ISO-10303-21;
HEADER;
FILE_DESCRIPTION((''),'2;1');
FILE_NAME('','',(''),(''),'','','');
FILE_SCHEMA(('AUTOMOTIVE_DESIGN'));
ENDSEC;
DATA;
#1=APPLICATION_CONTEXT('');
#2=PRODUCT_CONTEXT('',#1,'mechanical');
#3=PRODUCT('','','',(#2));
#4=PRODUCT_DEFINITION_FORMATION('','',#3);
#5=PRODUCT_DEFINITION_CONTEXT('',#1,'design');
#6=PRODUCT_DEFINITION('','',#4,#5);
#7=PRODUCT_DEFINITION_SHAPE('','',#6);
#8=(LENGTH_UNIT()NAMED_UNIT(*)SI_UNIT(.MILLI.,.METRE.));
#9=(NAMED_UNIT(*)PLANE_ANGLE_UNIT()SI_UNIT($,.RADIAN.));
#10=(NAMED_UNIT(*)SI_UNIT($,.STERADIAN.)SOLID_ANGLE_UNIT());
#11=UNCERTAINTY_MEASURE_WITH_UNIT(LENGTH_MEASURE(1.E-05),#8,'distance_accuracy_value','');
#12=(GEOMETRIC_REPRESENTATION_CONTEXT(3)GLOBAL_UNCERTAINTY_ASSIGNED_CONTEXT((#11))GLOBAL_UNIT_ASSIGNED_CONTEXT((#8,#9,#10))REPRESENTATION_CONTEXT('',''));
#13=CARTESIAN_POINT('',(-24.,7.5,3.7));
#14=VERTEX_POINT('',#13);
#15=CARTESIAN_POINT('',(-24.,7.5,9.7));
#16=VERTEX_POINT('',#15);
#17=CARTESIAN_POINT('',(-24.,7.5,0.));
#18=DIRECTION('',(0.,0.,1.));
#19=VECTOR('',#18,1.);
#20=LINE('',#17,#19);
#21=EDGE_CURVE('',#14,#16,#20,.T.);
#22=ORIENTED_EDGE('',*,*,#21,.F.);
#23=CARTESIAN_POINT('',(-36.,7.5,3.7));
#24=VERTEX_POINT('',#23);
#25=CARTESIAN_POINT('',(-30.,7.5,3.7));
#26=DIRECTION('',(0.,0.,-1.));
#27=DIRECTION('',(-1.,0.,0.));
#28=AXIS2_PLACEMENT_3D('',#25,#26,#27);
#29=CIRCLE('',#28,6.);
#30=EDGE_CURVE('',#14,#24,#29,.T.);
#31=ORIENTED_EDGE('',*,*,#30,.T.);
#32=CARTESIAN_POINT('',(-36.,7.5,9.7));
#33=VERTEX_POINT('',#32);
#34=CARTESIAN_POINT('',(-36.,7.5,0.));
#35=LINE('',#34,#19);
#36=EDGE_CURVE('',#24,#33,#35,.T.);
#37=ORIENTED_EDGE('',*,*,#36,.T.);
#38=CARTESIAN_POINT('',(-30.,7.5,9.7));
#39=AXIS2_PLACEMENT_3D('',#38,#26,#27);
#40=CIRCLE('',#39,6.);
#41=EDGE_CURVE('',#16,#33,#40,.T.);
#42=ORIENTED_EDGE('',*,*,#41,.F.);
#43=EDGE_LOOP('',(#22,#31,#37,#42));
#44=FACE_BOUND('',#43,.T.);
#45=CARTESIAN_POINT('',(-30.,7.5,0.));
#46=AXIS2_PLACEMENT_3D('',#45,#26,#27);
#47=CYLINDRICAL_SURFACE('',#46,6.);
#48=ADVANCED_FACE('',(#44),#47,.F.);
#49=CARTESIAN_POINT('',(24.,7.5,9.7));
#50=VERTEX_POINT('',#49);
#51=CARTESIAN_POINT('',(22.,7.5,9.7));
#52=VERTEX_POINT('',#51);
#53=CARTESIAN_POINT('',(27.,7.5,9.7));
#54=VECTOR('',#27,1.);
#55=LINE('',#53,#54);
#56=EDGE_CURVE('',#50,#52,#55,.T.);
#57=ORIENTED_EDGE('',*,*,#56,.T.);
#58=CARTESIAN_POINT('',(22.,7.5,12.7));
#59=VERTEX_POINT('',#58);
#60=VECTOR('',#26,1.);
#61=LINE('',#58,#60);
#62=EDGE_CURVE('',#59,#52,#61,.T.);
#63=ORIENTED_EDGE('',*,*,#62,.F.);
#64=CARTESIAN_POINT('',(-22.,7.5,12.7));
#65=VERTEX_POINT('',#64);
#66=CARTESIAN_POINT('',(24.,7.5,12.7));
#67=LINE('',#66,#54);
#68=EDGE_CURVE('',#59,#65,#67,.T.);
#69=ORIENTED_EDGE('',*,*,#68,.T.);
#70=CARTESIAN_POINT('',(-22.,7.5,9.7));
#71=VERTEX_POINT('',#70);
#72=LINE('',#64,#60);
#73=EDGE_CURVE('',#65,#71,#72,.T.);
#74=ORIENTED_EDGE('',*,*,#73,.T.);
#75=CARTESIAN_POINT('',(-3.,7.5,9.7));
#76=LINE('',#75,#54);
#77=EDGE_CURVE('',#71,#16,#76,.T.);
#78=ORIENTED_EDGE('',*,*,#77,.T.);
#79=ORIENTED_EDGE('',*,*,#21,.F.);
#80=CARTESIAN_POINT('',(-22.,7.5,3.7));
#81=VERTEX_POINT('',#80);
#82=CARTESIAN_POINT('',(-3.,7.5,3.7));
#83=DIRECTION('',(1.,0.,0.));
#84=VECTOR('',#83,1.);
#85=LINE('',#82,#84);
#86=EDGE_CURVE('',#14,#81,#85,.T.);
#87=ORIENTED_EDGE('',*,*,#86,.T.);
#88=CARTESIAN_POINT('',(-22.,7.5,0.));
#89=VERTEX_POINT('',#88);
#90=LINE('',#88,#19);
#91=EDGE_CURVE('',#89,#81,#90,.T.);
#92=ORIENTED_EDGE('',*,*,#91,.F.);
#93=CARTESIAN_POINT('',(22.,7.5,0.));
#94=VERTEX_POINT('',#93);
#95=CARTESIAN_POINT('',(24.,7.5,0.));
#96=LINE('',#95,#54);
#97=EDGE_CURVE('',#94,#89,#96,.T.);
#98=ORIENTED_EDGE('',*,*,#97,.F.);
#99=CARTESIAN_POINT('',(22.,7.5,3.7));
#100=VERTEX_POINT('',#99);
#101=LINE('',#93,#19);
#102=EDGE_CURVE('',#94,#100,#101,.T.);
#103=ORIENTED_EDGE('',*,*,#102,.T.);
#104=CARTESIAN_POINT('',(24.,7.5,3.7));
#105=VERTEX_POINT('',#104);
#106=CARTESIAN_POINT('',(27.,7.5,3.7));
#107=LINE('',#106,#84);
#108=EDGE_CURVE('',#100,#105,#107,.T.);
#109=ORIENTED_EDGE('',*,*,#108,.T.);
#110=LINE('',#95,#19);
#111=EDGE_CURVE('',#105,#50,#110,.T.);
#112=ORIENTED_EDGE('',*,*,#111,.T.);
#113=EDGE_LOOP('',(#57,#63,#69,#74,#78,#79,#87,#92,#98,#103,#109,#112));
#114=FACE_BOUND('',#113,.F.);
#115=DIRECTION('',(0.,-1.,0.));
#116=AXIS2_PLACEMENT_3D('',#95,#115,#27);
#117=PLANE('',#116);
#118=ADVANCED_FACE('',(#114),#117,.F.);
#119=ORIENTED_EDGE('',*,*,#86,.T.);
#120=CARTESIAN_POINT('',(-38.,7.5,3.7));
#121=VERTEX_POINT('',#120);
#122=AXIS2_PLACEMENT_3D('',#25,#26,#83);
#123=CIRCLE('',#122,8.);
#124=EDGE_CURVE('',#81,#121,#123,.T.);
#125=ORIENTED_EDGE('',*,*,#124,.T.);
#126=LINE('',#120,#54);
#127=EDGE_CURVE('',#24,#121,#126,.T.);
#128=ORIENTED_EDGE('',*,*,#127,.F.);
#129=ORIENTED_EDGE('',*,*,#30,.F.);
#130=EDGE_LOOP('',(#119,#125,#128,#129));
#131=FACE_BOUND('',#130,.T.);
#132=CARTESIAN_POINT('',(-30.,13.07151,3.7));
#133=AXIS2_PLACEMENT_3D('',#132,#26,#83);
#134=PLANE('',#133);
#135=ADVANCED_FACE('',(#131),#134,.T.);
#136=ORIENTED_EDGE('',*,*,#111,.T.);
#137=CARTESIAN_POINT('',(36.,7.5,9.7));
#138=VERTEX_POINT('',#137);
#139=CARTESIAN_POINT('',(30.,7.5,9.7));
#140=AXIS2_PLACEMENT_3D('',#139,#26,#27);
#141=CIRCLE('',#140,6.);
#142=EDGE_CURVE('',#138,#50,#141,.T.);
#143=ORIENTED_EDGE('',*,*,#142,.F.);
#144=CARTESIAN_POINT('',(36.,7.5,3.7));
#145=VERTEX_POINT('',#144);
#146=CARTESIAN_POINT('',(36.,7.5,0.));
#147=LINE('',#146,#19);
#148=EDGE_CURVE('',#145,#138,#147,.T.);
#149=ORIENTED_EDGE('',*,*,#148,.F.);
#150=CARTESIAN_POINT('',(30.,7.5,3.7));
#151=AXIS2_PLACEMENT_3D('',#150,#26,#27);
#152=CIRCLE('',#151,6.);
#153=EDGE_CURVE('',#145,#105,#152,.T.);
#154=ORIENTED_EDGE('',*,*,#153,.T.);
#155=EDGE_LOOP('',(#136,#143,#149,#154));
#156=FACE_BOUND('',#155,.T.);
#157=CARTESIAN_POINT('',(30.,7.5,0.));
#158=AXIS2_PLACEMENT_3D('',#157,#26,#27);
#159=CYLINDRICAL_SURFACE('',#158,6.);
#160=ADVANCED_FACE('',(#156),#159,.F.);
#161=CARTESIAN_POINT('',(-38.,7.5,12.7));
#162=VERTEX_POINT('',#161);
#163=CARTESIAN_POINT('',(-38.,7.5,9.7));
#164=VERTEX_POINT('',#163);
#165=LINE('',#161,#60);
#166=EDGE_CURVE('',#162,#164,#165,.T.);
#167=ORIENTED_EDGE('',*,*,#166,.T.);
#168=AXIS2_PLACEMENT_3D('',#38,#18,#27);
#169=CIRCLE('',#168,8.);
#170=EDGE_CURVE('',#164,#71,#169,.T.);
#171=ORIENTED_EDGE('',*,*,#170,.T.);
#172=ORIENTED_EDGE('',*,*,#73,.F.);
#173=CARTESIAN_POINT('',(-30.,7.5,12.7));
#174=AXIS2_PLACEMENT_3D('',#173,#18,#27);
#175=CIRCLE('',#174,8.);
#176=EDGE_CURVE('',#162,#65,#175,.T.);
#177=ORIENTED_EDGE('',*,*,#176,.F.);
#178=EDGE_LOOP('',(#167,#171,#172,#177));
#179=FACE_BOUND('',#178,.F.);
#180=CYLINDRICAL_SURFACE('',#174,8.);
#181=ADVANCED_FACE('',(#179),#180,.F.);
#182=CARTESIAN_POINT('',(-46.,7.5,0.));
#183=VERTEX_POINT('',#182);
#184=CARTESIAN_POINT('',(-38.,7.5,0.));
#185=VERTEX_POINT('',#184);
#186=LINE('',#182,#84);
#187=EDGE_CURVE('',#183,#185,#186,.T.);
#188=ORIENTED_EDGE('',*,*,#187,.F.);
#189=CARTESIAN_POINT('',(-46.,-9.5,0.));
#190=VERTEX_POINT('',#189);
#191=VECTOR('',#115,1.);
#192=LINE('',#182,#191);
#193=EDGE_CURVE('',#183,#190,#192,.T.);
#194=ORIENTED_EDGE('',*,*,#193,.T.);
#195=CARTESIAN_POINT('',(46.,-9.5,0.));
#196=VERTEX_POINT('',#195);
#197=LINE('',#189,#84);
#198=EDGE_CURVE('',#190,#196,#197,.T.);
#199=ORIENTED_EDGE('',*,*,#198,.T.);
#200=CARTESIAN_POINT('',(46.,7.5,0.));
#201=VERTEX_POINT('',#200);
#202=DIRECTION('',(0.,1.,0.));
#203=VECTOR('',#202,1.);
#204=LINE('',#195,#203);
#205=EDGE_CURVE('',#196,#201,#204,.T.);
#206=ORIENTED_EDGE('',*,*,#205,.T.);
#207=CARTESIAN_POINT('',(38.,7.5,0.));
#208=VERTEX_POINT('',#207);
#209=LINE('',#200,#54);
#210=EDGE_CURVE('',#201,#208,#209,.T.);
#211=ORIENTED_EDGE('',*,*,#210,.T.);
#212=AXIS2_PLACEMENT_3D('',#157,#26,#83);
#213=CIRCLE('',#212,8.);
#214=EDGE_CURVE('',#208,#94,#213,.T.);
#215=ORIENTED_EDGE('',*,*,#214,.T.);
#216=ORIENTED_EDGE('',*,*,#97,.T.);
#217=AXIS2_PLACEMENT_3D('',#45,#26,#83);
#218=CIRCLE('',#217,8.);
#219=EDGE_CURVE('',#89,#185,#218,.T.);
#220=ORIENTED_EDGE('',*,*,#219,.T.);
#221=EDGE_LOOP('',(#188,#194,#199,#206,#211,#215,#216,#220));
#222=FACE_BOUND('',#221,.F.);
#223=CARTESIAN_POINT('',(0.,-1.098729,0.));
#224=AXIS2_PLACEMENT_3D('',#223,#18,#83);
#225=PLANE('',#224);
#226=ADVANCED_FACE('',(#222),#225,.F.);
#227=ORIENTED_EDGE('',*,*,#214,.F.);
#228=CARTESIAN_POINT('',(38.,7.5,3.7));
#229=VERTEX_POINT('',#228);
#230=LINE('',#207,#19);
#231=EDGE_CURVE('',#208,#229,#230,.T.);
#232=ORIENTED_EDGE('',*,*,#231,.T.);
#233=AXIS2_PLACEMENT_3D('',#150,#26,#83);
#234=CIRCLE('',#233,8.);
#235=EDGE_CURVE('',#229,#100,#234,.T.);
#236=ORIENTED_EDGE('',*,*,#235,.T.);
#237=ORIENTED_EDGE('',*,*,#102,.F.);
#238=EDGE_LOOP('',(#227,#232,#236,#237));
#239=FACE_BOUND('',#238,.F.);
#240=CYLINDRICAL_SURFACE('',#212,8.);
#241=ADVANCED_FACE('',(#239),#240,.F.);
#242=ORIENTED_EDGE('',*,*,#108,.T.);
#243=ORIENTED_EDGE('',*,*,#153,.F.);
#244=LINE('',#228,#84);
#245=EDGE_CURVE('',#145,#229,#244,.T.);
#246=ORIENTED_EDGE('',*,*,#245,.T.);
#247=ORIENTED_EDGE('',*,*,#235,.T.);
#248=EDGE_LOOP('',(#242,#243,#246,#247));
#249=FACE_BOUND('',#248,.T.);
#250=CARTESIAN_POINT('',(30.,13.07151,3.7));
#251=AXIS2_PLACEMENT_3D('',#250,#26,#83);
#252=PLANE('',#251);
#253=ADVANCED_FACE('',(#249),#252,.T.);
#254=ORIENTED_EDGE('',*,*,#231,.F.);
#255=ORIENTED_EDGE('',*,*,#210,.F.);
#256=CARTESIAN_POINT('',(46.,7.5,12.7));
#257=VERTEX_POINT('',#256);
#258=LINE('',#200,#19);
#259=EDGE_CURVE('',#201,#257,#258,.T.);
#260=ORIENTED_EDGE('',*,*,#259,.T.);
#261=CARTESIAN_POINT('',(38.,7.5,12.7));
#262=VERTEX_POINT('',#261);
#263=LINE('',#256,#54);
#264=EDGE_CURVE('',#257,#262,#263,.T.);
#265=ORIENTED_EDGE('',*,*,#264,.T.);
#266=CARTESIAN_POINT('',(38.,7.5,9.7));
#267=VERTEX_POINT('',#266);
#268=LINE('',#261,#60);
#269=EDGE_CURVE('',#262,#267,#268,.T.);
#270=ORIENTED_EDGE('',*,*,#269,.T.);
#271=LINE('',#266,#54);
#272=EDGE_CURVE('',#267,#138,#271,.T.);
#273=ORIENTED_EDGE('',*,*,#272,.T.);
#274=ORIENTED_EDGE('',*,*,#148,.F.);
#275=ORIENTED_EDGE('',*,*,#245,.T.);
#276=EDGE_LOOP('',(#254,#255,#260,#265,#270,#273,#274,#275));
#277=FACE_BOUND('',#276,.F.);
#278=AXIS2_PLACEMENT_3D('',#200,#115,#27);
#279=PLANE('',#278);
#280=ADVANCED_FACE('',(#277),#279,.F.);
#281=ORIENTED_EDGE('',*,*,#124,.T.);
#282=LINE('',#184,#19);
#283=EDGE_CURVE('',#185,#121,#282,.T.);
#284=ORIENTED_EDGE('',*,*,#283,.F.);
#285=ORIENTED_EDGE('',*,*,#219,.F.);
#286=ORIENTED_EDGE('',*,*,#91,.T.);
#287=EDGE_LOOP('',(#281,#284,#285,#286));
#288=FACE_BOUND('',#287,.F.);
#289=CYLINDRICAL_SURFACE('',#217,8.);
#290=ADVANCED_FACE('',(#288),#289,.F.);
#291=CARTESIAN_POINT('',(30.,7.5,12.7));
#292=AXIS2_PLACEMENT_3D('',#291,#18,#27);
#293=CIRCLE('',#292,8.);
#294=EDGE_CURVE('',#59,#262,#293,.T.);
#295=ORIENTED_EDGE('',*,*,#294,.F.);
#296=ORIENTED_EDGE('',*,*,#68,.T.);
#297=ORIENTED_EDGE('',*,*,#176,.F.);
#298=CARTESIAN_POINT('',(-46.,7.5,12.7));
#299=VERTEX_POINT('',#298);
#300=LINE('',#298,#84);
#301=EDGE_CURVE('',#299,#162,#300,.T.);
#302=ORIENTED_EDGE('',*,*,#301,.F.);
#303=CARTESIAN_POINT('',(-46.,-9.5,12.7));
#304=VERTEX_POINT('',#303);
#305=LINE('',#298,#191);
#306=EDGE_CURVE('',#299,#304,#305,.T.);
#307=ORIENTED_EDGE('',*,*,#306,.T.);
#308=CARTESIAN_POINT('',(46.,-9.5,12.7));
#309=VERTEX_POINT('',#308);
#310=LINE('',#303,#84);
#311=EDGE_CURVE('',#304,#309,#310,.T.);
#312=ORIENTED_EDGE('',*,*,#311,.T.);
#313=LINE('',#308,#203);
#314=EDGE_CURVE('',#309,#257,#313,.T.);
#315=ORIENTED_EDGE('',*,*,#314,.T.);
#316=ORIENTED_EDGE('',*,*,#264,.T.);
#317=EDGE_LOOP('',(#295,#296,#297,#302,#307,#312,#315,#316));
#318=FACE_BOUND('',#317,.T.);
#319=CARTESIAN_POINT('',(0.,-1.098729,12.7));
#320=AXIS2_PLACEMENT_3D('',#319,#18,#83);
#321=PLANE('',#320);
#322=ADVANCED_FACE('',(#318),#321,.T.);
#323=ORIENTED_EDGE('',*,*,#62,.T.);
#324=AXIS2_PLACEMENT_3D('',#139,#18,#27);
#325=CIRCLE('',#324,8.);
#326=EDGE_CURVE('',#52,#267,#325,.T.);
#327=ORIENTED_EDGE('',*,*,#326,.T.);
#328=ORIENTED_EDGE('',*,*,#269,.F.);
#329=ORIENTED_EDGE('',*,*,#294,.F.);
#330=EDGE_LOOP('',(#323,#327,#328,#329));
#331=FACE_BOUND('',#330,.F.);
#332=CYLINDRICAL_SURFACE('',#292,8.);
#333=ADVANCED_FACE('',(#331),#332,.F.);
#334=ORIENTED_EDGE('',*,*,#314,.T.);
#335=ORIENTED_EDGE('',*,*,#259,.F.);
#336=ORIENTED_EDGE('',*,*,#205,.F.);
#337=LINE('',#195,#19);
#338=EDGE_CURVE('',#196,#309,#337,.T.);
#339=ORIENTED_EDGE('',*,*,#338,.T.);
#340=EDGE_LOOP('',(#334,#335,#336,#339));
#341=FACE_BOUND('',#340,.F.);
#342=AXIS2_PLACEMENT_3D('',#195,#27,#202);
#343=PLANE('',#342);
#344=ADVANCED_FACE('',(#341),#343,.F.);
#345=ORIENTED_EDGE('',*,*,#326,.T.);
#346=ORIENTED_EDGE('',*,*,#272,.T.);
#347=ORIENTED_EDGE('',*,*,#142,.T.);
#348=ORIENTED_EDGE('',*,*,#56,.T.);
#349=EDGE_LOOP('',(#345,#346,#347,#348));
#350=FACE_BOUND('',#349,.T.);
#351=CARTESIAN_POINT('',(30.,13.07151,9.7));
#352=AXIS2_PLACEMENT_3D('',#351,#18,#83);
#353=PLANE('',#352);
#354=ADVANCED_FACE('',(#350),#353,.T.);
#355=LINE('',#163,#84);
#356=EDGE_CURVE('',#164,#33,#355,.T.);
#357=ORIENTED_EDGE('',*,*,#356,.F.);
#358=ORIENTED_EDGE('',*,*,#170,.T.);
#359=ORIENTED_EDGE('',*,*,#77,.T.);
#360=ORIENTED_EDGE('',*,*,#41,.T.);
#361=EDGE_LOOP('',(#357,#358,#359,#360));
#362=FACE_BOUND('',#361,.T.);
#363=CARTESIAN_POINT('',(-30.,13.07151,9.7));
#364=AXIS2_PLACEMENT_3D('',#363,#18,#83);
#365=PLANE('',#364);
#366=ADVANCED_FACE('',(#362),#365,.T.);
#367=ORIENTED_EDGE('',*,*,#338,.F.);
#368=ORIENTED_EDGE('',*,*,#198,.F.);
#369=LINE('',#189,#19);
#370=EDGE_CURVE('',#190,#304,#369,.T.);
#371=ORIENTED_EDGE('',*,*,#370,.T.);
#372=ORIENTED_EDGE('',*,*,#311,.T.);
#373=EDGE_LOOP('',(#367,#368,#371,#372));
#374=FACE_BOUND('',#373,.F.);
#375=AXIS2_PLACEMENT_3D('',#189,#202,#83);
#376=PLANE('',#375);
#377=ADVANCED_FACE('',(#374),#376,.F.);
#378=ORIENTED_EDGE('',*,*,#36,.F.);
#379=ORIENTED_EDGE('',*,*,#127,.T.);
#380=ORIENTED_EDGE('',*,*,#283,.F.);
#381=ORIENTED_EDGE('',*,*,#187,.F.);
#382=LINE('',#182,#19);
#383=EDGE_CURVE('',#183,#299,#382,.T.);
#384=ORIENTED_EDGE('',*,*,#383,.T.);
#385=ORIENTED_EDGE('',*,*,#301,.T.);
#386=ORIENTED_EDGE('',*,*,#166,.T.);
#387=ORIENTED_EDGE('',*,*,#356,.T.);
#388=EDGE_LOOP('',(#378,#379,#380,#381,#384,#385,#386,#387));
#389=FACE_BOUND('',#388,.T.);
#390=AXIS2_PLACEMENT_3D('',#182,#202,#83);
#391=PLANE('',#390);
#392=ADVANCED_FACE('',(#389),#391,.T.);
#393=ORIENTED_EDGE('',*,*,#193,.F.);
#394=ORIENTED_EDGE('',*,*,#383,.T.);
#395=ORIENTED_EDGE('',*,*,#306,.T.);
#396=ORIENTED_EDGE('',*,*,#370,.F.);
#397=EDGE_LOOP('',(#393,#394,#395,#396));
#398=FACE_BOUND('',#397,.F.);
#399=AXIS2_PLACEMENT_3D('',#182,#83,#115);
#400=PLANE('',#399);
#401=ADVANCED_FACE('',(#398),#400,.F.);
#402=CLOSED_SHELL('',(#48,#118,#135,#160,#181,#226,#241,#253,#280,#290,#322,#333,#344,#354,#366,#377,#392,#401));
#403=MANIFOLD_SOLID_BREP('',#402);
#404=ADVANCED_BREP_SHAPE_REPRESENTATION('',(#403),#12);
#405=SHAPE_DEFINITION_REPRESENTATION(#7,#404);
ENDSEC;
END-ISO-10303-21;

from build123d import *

# Parameters (mm, degrees)
PAD_DEPTH       = 12.7
POCKET_DEPTH    = 3
POCKET001_DEPTH = 3.7


with BuildPart() as part:
    # Sketch → Pad (new body)
    with BuildSketch(Plane.XY):
        with BuildLine():
            Line((-46, 7.5), (-46, -9.5))
            Line((-46, -9.5), (46, -9.5))
            Line((46, -9.5), (46, 7.5))
            Line((46, 7.5), (36, 7.5))
            ThreePointArc((24, 7.5), (30, 1.5), (36, 7.5))
            Line((24, 7.5), (-24, 7.5))
            ThreePointArc((-36, 7.5), (-30, 1.5), (-24, 7.5))
            Line((-46, 7.5), (-36, 7.5))
        make_face()
    extrude(amount=PAD_DEPTH)

    # Sketch001 → Pocket (cut)
    with BuildSketch(Plane.XY.offset(12.7)):
        with BuildLine():
            ThreePointArc((-38, 7.5), (-30, -0.5), (-22, 7.5))
            Line((-22, 23.5), (-22, 7.5))
            Line((-38, 23.5), (-22, 23.5))
            Line((-38, 7.5), (-38, 23.5))
        make_face()
        with BuildLine():
            ThreePointArc((22, 7.5), (30, -0.5), (38, 7.5))
            Line((38, 23.5), (38, 7.5))
            Line((22, 23.5), (38, 23.5))
            Line((22, 7.5), (22, 23.5))
        make_face()
    extrude(amount=-POCKET_DEPTH, mode=Mode.SUBTRACT)

    # Sketch002 → Pocket001 (cut)
    with BuildSketch(Plane(origin=(0, 0, 0), x_dir=(1, 0, 0), z_dir=(0, 0, -1))):
        with BuildLine():
            ThreePointArc((-22, -7.5), (-30, 0.5), (-38, -7.5))
            Line((-38, -7.5), (-38, -23.5))
            Line((-38, -23.5), (-22, -23.5))
            Line((-22, -23.5), (-22, -7.5))
        make_face()
        with BuildLine():
            ThreePointArc((38, -7.5), (30, 0.5), (22, -7.5))
            Line((22, -7.5), (22, -23.5))
            Line((22, -23.5), (38, -23.5))
            Line((38, -23.5), (38, -7.5))
        make_face()
    extrude(amount=-POCKET001_DEPTH, mode=Mode.SUBTRACT)


solid = part.part
